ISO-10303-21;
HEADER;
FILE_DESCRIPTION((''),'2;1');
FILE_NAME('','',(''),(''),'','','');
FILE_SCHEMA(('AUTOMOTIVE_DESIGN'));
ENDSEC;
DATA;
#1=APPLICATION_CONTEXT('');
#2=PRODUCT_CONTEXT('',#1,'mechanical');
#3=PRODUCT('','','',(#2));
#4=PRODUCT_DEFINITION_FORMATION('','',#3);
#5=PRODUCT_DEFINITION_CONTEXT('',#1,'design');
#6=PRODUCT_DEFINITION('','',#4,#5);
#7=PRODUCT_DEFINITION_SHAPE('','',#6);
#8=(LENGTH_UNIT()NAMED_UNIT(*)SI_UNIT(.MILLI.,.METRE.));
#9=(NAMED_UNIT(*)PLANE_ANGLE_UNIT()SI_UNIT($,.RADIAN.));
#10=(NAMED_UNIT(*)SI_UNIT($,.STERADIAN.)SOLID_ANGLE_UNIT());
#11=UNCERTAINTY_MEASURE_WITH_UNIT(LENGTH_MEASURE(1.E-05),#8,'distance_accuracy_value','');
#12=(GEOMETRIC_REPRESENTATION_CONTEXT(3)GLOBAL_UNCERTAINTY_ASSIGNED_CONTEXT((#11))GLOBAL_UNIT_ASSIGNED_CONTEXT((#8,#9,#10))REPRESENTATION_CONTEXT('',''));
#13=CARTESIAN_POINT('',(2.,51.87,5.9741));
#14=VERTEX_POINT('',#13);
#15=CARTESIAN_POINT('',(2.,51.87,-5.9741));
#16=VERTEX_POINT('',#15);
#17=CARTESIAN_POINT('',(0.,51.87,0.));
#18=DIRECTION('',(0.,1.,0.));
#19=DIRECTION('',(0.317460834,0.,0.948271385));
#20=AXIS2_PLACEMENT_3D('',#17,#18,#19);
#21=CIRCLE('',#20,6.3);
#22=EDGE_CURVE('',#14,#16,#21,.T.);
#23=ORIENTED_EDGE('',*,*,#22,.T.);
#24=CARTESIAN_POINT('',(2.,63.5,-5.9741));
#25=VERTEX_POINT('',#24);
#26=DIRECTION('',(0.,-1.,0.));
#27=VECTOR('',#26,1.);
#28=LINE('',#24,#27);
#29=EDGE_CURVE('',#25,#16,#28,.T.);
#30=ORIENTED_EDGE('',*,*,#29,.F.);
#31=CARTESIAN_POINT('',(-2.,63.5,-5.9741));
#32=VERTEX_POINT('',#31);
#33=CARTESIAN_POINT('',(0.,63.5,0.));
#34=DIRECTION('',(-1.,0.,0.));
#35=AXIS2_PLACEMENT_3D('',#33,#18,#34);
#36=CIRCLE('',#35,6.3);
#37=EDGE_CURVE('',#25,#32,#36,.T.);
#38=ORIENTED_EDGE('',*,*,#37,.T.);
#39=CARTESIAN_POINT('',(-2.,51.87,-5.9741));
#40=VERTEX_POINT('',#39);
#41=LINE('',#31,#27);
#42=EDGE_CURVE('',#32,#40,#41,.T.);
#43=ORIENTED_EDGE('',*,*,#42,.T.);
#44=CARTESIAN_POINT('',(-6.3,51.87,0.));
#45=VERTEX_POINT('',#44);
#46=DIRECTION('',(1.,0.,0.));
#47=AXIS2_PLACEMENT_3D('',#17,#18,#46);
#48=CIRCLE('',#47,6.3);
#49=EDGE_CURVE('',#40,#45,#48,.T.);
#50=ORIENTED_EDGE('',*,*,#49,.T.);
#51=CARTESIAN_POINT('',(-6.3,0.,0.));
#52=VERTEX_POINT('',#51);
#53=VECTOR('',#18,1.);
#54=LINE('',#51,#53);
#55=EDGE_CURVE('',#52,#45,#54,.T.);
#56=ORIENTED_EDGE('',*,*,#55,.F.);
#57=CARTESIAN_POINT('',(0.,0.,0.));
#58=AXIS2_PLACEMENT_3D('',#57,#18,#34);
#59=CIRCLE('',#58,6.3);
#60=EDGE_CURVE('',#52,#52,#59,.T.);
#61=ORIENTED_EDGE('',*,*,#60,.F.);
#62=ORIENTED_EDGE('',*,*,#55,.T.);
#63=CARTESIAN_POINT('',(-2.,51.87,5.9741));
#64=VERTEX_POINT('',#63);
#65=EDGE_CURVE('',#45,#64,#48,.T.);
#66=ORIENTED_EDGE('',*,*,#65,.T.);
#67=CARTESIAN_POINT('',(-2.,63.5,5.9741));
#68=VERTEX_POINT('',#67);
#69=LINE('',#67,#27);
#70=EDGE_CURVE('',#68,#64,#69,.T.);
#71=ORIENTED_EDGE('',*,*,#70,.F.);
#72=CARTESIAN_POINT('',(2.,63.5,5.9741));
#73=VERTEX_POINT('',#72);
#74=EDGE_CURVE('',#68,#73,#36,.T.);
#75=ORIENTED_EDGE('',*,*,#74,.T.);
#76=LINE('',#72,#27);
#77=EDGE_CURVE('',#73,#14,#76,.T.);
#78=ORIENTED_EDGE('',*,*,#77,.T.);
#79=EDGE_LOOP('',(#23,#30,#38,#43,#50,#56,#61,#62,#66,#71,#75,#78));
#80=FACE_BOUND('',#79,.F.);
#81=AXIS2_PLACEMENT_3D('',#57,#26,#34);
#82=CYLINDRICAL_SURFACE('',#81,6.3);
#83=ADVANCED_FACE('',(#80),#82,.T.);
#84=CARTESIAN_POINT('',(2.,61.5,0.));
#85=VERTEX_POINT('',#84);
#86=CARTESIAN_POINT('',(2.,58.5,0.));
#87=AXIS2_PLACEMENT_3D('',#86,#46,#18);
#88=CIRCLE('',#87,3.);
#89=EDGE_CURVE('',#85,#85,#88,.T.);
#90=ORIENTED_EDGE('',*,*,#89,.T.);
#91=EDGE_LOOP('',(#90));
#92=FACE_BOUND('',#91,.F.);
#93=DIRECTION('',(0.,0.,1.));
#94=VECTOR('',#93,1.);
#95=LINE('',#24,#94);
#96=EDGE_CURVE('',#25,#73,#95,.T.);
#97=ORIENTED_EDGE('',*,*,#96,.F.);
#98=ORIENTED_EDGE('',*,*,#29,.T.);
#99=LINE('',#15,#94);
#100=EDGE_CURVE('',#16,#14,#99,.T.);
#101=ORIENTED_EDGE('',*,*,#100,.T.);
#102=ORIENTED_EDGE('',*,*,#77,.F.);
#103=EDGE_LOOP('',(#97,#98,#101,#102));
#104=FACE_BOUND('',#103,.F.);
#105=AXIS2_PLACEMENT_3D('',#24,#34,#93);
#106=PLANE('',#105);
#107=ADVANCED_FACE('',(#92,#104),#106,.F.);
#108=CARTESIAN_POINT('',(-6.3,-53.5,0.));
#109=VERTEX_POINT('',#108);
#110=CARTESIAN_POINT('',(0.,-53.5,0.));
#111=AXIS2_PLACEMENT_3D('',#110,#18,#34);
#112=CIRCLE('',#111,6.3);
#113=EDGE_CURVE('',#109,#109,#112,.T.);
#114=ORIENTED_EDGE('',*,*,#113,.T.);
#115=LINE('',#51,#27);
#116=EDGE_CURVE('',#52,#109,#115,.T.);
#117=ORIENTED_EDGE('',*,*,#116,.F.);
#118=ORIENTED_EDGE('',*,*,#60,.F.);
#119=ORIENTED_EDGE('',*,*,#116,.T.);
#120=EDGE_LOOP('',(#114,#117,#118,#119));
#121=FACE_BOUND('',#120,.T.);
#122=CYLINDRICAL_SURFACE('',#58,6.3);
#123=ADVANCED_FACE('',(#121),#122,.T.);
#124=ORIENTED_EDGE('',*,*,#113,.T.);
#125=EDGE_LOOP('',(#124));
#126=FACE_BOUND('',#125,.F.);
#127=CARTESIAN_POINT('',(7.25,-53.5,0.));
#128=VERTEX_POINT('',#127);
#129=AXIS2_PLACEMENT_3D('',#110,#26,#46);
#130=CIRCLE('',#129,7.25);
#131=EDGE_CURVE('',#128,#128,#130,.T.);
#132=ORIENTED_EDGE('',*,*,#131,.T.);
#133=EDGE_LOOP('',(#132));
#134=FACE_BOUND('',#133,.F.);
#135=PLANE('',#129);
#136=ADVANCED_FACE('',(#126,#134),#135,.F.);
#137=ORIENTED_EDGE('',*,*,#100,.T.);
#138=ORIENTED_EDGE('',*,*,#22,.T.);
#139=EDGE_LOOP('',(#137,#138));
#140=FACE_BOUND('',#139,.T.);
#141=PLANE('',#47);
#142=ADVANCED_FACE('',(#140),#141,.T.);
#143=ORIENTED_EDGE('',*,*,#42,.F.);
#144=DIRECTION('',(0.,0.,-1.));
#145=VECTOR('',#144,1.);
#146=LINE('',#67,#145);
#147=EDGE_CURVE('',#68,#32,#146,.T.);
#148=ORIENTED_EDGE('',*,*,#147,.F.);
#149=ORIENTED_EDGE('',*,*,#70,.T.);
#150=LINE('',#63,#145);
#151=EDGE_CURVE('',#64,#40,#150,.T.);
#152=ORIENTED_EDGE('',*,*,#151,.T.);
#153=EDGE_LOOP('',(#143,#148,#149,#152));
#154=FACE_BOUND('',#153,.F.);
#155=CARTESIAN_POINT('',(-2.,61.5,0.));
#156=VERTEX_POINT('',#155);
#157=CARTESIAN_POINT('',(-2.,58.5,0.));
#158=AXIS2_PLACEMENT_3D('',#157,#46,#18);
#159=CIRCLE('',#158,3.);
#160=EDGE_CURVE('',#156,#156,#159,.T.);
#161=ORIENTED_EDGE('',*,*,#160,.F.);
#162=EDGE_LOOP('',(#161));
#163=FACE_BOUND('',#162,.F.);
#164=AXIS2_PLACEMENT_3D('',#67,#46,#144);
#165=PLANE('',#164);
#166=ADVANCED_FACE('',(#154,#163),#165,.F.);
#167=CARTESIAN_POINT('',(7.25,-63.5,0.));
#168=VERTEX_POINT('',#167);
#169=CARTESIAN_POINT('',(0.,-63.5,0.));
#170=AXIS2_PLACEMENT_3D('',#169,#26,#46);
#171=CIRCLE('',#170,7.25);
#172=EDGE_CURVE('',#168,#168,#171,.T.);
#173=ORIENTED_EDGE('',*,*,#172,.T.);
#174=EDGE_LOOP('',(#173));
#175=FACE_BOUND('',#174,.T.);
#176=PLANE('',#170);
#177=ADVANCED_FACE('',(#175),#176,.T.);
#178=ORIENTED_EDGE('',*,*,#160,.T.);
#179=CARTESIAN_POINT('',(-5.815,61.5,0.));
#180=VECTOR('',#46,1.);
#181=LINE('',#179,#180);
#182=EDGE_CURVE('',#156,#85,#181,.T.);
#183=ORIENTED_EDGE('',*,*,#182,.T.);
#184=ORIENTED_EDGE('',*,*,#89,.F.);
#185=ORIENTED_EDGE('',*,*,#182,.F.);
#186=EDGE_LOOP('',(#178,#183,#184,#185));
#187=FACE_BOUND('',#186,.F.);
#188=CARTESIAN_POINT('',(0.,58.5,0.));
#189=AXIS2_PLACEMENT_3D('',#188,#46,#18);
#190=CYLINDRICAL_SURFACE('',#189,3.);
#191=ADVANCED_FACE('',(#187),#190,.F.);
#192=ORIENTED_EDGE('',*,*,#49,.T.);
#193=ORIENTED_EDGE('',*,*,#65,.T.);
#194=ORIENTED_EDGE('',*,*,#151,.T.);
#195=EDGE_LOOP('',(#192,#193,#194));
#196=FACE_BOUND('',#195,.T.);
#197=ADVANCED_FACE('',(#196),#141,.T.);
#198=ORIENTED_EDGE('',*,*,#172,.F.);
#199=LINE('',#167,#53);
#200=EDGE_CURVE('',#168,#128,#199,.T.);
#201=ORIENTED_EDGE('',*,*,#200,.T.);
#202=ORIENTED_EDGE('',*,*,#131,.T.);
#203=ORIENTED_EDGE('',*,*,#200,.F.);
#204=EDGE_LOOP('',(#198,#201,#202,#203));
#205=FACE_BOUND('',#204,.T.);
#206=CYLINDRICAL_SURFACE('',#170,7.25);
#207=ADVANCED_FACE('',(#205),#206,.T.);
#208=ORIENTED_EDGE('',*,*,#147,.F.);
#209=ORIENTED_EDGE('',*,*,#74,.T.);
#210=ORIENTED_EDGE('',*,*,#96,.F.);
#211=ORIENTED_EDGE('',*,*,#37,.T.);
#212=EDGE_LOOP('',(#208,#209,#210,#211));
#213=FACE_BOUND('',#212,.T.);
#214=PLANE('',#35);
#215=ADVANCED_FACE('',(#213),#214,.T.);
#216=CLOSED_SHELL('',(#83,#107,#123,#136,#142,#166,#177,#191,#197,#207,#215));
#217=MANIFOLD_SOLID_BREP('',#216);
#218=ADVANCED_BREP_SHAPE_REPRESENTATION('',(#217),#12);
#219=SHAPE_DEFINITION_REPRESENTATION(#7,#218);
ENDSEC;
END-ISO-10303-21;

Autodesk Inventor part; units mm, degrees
ref_plane "YZ Plane" through (0, 0, 0) normal (1, 0, 0) x (0, 1, 0)
ref_plane "XZ Plane" through (0, 0, 0) normal (0, 1, 0) x (-1, 0, 0)
ref_plane "XY Plane" through (0, 0, 0) normal (0, 0, 1) x (1, 0, 0)
sketch "Sketch1" plane through (0, 0, 0) normal (0, 1, 0) x (-1, 0, 0)
  circle A0 centre (0, 0) radius 6.3
  dimension "d0" = 12.6
extrude "Extrusion1" add sketch "Sketch1" along normal mid plane 127
sketch "Sketch2" plane through (0, 0, 0) normal (1, 0, 0) x (0, 1, 0)
  line L0 (63.5, -6.3) -> (63.5, 6.3) projected
  line L1 (-63.5, -6.3) -> (63.5, -6.3) projected
  line L2 (63.5, 6.3) -> (51.87, 6.3)
  line L3 (51.87, 6.3) -> (51.87, -6.3)
  line L4 (51.87, -6.3) -> (63.5, -6.3)
  line L5 (63.5, -6.3) -> (63.5, 6.3)
  line L6 (63.5, 0) -> (58.5, 0)
  circle A0 centre (58.5, 0) radius 3
  point P0 (0, 0)
  dimension "d3" = 11.63
  dimension "d7" = 5
  dimension "d8" = 6
sketch "Sketch3" plane through (0, 63.5, 0) normal (0, 1, 0) x (1, 0, 0)
  circle A0 centre (0, 0) radius 6.3 projected
  line L0 (2, -5.9741) -> (-2, -5.9741)
  line L1 (-2, -5.9741) -> (-2, 5.9741)
  line L2 (-2, 5.9741) -> (2, 5.9741)
  line L3 (2, 5.9741) -> (2, -5.9741)
  line L4 (2, -5.9741) -> (-2, 5.9741) construction
  line L5 (-2, -5.9741) -> (2, 5.9741) construction
  dimension "d4" = 4
extrude "Extrusion2" cut sketch "Sketch3" against normal blind 11.63 contours A0 L3 | L1 A0
extrude "Extrusion3" cut sketch "Sketch2" against normal mid plane 11.63 contours A0
sketch "Sketch4" plane through (0, -63.5, 0) normal (0, -1, 0) x (1, 0, 0)
  circle A0 centre (0, 0) radius 7.25
  dimension "d11" = 14.5
extrude "Extrusion4" add sketch "Sketch4" against normal blind 10
properties part number "SP6V1 Vastago Freno" material "Stainless Steel"
